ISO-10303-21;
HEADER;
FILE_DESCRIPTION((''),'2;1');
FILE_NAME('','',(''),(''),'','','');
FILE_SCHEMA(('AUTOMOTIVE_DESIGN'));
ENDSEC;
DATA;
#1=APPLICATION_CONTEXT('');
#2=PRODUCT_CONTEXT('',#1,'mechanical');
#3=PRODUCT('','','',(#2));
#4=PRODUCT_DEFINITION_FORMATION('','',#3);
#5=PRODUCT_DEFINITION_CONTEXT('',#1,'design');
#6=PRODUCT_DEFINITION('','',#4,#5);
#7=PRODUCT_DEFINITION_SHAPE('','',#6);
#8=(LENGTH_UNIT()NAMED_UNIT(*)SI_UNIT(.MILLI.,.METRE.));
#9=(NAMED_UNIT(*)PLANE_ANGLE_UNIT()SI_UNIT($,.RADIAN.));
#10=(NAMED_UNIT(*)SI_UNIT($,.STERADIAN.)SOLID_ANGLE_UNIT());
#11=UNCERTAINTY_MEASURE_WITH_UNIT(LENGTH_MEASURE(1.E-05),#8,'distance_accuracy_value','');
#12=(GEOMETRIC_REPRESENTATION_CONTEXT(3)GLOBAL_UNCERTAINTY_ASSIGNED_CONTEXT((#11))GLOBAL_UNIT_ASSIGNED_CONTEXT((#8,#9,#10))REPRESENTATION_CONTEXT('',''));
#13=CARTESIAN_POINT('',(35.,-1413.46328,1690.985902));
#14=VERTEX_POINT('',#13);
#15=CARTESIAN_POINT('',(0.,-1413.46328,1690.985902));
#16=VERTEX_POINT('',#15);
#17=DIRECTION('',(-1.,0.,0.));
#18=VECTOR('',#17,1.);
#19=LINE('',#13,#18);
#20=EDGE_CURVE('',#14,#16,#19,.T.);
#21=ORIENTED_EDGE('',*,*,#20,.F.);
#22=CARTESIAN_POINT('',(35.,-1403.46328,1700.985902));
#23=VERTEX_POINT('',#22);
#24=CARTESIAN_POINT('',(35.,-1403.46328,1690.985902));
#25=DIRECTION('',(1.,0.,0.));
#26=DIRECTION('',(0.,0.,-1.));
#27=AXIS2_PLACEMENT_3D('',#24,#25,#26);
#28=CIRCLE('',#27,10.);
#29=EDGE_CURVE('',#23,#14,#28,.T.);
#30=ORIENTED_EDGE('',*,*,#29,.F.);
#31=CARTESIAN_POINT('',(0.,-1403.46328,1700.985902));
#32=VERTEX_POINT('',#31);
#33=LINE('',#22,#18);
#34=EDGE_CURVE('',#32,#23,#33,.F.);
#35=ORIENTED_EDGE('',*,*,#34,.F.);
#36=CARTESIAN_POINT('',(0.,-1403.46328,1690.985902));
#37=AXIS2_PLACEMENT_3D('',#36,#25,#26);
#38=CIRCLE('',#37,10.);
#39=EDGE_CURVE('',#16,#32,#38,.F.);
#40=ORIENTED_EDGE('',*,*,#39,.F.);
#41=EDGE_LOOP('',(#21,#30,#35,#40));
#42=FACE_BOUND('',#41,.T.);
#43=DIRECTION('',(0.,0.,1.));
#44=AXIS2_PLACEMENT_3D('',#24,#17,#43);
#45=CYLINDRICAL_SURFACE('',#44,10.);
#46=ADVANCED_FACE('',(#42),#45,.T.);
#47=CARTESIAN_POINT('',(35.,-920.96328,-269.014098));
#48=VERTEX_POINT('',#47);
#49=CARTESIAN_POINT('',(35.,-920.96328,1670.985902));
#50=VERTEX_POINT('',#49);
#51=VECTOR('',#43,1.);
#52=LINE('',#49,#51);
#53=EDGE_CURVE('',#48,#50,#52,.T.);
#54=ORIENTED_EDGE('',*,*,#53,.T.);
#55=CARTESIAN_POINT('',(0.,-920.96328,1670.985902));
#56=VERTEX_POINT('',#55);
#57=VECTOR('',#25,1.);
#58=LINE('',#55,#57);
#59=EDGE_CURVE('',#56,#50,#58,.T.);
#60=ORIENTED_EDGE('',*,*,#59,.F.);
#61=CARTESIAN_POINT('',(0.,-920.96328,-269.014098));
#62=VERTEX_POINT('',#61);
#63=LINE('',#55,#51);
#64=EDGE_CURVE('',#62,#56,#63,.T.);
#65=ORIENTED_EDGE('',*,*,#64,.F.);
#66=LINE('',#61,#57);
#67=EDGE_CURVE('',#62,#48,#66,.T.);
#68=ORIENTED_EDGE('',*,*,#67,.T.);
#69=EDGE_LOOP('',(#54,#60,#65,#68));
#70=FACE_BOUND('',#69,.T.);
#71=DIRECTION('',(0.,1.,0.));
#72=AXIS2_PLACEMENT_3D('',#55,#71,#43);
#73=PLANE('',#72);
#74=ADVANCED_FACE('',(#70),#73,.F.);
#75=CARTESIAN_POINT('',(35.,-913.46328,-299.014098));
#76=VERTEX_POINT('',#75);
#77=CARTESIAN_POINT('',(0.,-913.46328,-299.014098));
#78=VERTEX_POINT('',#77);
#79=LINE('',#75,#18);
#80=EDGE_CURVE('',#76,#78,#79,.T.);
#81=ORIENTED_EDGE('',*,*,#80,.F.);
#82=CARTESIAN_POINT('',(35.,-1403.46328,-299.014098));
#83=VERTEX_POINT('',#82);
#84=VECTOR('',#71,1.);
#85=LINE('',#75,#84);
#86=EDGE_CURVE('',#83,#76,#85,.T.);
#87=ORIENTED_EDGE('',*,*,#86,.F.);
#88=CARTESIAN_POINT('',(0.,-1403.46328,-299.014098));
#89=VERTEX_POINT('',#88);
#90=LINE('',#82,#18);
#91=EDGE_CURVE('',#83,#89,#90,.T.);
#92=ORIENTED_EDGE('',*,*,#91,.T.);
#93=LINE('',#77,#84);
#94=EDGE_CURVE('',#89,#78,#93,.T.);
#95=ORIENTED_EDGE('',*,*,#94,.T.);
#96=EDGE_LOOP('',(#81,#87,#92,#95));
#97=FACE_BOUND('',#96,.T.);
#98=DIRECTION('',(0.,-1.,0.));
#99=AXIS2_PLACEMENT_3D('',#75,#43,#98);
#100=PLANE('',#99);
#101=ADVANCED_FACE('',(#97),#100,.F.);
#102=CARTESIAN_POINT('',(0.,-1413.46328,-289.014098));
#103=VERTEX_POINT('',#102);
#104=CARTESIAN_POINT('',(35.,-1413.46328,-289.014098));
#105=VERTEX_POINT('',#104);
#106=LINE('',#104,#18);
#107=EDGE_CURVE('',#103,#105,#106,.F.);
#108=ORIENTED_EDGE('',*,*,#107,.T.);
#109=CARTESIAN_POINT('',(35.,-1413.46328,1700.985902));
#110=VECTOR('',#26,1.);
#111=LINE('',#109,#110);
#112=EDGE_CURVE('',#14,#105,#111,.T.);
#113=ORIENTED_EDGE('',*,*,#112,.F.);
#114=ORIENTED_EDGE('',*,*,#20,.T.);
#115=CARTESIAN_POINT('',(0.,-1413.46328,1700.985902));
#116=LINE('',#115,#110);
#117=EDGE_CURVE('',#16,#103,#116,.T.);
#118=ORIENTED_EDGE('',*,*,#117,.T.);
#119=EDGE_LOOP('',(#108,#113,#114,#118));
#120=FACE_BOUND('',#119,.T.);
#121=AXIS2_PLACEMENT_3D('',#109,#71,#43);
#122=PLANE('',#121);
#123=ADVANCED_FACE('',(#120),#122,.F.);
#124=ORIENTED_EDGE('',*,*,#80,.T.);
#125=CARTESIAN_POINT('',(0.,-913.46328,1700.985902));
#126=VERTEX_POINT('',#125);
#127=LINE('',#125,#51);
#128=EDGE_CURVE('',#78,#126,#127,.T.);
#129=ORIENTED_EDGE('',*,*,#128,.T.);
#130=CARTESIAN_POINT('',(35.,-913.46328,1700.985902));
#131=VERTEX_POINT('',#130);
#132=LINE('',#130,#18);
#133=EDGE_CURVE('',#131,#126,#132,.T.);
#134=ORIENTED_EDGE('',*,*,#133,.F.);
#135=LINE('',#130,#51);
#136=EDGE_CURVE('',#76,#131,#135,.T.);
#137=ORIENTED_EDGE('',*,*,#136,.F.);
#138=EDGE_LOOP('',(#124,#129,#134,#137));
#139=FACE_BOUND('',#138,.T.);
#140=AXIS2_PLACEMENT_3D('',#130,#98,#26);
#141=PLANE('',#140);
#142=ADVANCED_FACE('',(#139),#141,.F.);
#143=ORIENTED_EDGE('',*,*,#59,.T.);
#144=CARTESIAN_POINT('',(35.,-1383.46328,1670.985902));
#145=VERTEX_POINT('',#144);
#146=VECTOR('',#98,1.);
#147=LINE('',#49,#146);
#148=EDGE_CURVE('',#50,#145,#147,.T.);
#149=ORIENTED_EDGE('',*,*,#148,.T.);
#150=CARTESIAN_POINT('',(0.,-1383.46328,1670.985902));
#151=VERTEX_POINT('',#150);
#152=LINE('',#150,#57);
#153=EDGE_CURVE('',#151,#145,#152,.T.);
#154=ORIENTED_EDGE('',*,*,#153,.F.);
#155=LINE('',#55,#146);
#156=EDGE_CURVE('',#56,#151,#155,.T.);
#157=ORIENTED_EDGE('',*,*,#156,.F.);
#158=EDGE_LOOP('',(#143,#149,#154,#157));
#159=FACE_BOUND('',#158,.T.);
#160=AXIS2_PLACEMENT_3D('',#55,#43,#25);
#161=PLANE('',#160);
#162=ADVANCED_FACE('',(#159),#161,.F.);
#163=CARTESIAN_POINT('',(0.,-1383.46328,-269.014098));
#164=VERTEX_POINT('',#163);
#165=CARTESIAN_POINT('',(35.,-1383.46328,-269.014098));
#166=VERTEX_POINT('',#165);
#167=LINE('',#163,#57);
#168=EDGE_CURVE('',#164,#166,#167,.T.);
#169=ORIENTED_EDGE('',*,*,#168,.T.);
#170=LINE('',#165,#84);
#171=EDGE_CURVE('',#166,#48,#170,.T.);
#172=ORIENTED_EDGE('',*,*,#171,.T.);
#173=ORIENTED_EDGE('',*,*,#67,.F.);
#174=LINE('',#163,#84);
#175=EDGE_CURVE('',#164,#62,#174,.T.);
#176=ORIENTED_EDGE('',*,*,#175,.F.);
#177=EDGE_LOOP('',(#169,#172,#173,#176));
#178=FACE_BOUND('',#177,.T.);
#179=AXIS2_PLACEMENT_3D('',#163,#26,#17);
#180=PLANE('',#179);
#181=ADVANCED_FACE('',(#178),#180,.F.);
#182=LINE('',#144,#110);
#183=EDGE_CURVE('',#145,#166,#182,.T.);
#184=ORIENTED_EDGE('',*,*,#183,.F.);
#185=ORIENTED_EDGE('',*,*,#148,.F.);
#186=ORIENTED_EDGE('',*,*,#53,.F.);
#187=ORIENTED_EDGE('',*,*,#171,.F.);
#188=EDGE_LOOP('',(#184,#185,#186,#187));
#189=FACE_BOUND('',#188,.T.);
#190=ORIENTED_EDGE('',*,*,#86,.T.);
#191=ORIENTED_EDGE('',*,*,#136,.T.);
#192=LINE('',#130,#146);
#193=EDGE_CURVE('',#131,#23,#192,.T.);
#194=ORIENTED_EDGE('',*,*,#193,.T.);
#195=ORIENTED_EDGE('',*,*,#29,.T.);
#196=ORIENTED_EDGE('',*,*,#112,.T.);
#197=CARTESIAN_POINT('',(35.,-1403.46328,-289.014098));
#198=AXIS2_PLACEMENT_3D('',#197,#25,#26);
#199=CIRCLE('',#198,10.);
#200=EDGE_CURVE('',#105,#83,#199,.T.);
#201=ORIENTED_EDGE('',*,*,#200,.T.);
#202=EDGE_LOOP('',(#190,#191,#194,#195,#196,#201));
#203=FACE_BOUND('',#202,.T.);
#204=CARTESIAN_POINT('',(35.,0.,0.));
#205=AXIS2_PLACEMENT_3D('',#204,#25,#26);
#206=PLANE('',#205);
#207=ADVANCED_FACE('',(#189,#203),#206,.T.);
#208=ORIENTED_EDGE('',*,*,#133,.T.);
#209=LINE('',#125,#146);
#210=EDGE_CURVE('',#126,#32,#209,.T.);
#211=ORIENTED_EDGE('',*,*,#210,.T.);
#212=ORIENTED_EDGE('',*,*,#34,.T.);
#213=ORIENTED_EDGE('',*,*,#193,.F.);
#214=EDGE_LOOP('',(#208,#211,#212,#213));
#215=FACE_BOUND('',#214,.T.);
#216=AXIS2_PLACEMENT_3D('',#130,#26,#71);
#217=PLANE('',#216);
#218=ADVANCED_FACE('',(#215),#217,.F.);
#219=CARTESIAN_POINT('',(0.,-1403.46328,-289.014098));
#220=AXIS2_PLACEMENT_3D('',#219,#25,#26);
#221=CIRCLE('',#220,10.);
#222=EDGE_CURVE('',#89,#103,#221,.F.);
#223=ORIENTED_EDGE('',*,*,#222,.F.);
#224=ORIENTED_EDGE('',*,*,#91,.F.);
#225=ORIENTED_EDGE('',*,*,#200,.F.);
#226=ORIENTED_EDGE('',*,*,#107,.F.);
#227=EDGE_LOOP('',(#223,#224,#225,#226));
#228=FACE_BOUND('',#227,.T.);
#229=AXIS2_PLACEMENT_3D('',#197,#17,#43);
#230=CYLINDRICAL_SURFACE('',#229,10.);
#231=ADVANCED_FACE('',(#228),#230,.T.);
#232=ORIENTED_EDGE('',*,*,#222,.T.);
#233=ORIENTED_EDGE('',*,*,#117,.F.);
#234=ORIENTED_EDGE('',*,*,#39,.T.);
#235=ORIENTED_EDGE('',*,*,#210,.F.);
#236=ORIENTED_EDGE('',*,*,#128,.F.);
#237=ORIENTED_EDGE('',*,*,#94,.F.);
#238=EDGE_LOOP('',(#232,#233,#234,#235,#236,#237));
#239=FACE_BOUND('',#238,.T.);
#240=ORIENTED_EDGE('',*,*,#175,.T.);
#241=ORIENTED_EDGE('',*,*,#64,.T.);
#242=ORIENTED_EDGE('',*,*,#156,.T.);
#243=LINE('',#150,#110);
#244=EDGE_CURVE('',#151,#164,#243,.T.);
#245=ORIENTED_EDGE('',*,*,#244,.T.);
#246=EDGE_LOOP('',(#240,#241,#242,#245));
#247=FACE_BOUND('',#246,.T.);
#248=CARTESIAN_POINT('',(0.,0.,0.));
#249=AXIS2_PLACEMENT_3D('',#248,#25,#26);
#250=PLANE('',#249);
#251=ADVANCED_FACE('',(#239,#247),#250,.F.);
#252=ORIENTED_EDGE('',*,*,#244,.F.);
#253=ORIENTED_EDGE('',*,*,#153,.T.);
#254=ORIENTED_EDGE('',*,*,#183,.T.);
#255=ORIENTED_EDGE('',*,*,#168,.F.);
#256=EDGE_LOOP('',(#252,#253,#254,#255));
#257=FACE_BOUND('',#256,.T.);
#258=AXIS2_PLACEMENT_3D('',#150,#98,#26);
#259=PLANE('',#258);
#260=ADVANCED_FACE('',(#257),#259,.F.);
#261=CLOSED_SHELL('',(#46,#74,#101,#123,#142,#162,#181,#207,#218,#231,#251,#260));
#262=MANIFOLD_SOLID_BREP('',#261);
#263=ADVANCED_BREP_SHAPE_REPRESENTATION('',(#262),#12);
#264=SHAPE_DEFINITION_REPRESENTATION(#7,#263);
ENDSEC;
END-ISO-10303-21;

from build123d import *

# Parameters (mm, degrees)
SKETCH1_W           = 2000
SKETCH1_H           = 500
BOSS_EXTRUDE1_DEPTH = 35
SKETCH2_W           = 1940
SKETCH2_H           = 462.5
CUT_EXTRUDE1_DEPTH  = 35
FILLET1_R           = 10


with BuildPart() as part:
    # Sketch1 → Boss-Extrude1 (new body)
    with BuildSketch(Plane(origin=(0, 0, 0), x_dir=(0, 0, -1), z_dir=(1, 0, 0))):
        with Locations((-700.985902425, -1163.463280399)):
            Rectangle(SKETCH1_W, SKETCH1_H)
    extrude(amount=BOSS_EXTRUDE1_DEPTH)

    # Sketch2 → Cut-Extrude1 (cut)
    with BuildSketch(Plane(origin=(35, 0, 0), x_dir=(0, 0, -1), z_dir=(1, 0, 0))):
        with Locations((-700.985902425, -1152.213280399)):
            Rectangle(SKETCH2_W, SKETCH2_H)
    extrude(amount=-CUT_EXTRUDE1_DEPTH, mode=Mode.SUBTRACT)

    # Fillet1
    fillet1_edges = [part.edges().sort_by_distance(p)[0] for p in [
        (17.5, -1413.463280399, -299.014097575),
        (17.5, -1413.463280399, 1700.985902425),
    ]]
    fillet(fillet1_edges, radius=FILLET1_R)


solid = part.part
